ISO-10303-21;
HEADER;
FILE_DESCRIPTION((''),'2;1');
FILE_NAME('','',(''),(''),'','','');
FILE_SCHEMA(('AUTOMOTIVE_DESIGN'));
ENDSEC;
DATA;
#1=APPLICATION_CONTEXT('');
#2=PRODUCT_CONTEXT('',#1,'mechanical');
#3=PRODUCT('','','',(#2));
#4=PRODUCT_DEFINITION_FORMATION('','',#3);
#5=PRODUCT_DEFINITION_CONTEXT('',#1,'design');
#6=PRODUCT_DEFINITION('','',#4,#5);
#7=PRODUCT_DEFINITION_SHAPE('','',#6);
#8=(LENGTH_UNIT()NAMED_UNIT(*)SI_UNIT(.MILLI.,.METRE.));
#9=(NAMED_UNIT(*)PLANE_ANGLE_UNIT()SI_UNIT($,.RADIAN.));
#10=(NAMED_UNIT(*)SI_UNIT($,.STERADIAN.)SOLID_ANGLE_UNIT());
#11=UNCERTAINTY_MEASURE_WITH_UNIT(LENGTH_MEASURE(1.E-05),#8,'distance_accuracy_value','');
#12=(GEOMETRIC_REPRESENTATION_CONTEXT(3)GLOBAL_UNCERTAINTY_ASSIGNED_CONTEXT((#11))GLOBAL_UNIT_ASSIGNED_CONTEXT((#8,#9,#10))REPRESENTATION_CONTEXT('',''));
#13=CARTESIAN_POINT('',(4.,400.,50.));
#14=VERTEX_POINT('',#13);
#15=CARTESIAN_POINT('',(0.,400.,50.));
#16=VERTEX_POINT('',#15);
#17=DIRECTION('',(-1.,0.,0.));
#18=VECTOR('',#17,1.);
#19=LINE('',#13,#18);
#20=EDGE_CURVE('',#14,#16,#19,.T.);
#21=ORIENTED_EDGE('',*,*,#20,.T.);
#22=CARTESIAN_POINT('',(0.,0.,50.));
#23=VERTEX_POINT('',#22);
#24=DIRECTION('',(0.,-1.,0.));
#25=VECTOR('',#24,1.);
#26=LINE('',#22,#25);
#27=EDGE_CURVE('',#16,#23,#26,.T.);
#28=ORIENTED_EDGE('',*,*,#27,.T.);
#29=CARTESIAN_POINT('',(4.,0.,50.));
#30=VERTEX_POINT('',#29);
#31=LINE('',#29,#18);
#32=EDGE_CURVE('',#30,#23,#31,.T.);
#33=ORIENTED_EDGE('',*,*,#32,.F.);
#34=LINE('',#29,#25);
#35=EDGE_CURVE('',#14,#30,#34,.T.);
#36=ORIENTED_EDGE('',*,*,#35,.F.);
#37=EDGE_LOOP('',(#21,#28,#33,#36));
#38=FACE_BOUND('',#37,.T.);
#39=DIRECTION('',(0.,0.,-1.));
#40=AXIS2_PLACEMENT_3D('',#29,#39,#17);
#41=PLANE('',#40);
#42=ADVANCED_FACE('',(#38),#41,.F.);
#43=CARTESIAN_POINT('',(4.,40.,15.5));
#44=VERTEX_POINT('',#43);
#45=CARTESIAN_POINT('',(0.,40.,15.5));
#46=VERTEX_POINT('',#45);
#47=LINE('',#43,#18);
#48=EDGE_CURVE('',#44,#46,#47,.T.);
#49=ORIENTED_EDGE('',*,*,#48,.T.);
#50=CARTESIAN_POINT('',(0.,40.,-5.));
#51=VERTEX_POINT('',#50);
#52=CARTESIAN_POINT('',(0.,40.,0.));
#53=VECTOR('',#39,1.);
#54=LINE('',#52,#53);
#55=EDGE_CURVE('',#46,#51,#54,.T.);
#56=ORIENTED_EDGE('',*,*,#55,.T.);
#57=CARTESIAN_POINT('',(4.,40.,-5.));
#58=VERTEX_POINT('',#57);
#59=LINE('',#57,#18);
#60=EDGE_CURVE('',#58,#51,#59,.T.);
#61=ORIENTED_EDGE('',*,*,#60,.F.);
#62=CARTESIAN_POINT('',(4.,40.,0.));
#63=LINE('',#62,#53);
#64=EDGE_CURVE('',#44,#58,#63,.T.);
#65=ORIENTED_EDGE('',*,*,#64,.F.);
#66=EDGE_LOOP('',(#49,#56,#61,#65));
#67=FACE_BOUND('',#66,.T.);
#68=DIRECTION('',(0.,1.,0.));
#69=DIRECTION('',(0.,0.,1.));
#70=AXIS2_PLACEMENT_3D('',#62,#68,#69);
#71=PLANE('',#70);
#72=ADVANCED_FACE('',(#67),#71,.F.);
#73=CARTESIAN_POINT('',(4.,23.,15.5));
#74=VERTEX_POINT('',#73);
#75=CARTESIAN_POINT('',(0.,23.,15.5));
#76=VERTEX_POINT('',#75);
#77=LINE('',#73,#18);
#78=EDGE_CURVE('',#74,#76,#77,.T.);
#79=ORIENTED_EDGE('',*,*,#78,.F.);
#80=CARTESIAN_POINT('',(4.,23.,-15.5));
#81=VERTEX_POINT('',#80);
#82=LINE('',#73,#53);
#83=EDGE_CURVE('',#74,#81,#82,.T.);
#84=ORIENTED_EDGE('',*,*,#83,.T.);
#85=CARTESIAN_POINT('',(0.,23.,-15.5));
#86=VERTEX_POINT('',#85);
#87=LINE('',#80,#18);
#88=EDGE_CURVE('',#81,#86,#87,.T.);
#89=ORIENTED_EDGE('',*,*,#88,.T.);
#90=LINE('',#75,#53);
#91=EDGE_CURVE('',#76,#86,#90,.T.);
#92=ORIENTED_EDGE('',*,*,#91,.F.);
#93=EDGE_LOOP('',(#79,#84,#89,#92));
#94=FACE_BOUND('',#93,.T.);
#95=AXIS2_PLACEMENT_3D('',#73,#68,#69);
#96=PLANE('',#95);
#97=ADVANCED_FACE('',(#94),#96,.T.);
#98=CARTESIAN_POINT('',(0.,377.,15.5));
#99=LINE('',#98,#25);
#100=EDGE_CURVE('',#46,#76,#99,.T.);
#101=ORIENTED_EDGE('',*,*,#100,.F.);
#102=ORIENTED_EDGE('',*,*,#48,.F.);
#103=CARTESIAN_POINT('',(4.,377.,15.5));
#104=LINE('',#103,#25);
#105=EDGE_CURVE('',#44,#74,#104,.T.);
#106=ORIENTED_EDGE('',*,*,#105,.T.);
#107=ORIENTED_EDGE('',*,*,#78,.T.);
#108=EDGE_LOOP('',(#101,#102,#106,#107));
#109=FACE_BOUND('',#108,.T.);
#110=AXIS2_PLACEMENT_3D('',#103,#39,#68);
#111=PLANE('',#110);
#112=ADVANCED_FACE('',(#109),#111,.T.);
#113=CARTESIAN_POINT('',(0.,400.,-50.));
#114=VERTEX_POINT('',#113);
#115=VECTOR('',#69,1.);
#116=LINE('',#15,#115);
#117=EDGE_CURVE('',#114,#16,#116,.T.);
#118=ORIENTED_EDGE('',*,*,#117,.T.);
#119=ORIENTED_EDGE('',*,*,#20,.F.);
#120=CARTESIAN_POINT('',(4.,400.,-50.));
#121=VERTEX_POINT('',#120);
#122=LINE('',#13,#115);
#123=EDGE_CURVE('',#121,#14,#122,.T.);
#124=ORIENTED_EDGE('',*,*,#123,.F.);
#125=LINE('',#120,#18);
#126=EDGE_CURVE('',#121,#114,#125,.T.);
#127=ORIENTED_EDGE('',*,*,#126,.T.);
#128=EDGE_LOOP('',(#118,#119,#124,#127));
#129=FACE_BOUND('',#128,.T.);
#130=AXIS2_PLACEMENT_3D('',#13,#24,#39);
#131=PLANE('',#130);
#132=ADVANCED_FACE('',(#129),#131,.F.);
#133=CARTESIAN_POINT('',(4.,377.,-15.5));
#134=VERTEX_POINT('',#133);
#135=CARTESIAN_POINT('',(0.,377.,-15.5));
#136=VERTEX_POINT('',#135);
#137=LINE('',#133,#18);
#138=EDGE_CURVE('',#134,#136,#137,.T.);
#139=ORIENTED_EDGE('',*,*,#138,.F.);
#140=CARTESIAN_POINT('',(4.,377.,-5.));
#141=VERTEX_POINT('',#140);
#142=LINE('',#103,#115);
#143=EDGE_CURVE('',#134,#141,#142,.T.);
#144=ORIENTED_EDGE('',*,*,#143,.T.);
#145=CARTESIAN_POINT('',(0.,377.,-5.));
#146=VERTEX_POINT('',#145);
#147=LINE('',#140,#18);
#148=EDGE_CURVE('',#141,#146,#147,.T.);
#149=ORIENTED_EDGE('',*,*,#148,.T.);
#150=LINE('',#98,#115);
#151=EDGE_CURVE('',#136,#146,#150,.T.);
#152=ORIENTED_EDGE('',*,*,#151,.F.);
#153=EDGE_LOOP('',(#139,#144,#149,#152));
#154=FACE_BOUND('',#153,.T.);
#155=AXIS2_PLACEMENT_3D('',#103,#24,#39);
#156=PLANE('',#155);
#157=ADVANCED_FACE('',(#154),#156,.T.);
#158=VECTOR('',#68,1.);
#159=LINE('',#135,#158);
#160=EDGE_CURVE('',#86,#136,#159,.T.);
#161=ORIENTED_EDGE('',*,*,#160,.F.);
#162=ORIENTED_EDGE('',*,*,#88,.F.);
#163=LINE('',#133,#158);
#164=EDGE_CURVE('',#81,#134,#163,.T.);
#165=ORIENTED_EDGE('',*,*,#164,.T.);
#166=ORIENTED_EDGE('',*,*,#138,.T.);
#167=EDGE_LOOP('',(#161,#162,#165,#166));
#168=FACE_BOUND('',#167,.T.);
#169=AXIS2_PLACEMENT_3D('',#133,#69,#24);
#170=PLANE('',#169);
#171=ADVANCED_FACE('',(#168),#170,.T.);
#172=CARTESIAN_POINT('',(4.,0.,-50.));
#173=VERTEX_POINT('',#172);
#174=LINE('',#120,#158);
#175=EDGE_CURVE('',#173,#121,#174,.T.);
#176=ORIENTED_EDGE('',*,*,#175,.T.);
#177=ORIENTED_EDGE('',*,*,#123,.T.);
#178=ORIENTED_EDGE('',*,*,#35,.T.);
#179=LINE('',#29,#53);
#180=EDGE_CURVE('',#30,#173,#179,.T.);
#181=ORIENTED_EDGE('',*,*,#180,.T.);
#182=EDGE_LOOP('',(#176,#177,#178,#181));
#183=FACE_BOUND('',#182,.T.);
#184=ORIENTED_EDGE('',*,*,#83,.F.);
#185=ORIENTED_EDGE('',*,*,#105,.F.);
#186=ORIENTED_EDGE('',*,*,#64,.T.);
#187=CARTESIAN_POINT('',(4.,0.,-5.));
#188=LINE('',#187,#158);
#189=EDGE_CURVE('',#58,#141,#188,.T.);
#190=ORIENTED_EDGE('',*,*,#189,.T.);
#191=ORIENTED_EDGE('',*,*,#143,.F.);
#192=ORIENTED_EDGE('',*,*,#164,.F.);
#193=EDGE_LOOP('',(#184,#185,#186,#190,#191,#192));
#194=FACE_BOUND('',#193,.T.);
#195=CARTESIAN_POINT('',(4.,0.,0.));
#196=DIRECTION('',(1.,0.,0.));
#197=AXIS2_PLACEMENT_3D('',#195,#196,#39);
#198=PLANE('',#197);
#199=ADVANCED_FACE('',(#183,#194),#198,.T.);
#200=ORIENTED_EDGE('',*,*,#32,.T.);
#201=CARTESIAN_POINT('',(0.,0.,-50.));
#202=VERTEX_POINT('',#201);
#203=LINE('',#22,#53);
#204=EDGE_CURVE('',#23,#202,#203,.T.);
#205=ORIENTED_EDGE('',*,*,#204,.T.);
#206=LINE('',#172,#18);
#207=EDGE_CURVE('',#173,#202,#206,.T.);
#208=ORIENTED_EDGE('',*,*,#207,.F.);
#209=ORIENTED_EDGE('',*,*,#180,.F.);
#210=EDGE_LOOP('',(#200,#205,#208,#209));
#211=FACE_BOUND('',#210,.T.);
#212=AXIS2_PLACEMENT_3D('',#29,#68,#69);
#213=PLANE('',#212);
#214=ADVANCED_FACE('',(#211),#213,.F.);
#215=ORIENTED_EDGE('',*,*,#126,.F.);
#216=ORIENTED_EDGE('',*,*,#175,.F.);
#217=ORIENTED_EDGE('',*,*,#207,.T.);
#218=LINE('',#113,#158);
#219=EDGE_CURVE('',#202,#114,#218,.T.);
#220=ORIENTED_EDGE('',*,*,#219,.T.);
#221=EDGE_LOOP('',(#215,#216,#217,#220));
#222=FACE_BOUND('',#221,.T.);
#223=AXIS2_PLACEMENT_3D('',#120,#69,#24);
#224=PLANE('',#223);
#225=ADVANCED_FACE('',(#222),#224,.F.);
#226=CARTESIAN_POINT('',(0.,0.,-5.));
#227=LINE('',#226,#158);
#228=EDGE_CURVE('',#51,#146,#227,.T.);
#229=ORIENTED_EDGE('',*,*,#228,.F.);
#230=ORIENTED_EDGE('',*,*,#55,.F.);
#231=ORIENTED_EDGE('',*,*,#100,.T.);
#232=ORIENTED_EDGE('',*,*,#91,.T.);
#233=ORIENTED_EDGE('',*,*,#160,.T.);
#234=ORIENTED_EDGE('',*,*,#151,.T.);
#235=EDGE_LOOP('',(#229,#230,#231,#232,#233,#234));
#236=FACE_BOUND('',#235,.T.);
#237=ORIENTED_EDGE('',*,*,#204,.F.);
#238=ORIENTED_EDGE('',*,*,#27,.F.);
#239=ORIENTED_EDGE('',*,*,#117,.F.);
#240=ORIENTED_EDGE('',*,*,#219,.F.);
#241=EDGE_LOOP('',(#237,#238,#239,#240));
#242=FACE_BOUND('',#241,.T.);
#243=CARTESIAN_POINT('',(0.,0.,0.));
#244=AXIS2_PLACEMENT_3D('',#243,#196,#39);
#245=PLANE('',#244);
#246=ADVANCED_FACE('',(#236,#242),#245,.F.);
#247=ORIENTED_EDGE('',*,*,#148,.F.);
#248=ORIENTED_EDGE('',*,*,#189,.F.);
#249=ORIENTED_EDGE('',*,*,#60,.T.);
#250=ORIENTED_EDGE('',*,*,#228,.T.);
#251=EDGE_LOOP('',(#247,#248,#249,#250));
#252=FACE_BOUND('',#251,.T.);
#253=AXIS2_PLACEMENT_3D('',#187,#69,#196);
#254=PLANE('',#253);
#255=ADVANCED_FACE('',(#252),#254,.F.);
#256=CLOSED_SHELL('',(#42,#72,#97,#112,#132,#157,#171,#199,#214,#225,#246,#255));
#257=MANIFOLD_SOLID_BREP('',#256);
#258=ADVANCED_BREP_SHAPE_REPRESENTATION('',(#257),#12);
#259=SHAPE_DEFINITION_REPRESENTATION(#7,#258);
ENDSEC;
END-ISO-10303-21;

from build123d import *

# Parameters (mm, degrees)
SKETCH1_W           = 100
SKETCH1_H           = 400
SKETCH1_W_2         = 31
SKETCH1_H_2         = 354
BOSS_EXTRUDE1_DEPTH = 4
SKETCH2_W           = 20.5
SKETCH2_H           = 337
BOSS_EXTRUDE2_DEPTH = 4


with BuildPart() as part:
    # Sketch1 → Boss-Extrude1 (new body)
    with BuildSketch(Plane(origin=(0, 0, 0), x_dir=(0, 0, -1), z_dir=(1, 0, 0))):
        with Locations((0, 200)):
            Rectangle(SKETCH1_W, SKETCH1_H)
        with Locations((0, 200)):
            Rectangle(SKETCH1_W_2, SKETCH1_H_2, mode=Mode.SUBTRACT)
    extrude(amount=BOSS_EXTRUDE1_DEPTH)

    # Sketch2 → Boss-Extrude2 (add)
    with BuildSketch(Plane.ZY):
        with Locations((5.25, 208.5)):
            Rectangle(SKETCH2_W, SKETCH2_H)
    extrude(amount=-BOSS_EXTRUDE2_DEPTH)


solid = part.part
